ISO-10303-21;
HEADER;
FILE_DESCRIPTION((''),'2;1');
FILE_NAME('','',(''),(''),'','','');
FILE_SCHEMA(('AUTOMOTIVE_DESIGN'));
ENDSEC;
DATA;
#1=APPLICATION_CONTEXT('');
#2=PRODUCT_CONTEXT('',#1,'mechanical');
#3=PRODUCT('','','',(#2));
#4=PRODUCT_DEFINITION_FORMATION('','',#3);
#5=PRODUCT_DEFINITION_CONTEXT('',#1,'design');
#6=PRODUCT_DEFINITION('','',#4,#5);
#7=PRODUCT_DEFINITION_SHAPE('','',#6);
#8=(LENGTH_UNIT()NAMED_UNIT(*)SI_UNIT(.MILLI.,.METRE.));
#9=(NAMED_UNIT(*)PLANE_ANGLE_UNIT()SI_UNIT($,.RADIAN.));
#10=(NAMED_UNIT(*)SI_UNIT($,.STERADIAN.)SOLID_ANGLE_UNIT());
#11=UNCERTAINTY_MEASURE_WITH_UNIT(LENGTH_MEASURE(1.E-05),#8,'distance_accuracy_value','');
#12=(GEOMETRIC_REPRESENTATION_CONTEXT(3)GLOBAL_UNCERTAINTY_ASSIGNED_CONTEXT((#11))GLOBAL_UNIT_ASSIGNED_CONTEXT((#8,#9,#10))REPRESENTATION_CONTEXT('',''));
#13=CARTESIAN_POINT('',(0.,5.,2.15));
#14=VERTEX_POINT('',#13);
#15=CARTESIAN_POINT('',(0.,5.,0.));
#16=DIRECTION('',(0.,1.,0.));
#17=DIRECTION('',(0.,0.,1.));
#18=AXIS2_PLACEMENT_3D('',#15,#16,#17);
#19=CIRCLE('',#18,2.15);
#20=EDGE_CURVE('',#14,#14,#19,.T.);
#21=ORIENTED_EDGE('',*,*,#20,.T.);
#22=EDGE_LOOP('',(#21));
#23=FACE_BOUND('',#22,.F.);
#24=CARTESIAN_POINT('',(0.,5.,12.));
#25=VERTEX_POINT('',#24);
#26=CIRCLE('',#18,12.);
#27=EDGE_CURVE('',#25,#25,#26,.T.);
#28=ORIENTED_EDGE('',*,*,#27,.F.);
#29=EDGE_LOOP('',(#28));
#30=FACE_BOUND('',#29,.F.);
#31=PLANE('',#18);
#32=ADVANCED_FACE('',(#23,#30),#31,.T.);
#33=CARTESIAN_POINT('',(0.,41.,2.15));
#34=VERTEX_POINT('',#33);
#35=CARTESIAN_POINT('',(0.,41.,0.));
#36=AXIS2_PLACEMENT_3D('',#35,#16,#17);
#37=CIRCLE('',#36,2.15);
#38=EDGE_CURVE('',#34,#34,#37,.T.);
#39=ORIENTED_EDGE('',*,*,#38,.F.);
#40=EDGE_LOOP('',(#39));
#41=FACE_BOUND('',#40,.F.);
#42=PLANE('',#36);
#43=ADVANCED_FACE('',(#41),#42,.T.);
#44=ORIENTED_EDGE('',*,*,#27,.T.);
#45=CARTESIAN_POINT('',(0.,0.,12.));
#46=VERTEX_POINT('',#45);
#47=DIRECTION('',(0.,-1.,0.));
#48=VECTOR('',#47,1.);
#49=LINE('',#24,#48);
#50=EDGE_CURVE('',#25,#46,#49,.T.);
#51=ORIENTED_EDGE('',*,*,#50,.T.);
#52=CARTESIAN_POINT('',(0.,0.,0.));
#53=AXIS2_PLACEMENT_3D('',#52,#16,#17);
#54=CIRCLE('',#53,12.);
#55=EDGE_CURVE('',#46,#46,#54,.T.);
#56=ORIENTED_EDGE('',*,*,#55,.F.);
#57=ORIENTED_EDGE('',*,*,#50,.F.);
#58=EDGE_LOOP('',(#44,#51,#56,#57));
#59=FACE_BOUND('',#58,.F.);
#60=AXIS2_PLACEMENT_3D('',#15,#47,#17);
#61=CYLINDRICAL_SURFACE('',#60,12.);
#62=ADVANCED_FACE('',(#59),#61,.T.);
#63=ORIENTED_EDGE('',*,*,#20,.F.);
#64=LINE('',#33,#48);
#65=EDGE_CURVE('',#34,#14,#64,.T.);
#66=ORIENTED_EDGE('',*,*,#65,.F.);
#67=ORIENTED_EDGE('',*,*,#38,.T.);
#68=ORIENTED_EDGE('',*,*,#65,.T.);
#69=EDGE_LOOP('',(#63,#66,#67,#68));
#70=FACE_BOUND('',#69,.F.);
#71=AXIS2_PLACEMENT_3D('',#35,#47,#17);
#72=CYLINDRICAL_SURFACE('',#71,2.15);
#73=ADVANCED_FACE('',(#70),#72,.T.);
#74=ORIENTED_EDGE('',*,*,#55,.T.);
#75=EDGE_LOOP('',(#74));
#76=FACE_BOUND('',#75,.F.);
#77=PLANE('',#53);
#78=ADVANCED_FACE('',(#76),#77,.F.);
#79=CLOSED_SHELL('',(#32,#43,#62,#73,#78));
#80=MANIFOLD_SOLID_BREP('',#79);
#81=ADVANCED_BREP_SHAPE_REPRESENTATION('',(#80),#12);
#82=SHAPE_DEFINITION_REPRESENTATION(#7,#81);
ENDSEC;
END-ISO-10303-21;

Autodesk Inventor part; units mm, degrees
ref_plane "YZ Plane" through (0, 0, 0) normal (1, 0, 0) x (0, 1, 0)
ref_plane "XZ Plane" through (0, 0, 0) normal (0, 1, 0) x (-1, 0, 0)
ref_plane "XY Plane" through (0, 0, 0) normal (0, 0, 1) x (1, 0, 0)
sketch "Sketch2" plane through (0, 0, 0) normal (1, 0, 0) x (0, 1, 0)
  line L0 (0, 14.4) -> (0, -2.4) construction
  line L1 (5, 12) -> (0, 12)
  line L2 (0, 12) -> (0, 0)
  line L3 (0, 0) -> (5, 0)
  line L4 (5, 2.15) -> (5, 12)
  line L5 (5, 0) -> (41, 0)
  line L6 (41, 0) -> (41, 2.15)
  line L7 (41, 2.15) -> (5, 2.15)
  dimension "d0" = 12
  dimension "d1" = 2.15
  dimension "d2" = 5
  dimension "d3" = 36
revolve "Revolution1" add sketch "Sketch2" angle 360 about axis through (0, 5, 0) along (0, 1, 0)
properties part number "Millifluidic Board Assembly support"
